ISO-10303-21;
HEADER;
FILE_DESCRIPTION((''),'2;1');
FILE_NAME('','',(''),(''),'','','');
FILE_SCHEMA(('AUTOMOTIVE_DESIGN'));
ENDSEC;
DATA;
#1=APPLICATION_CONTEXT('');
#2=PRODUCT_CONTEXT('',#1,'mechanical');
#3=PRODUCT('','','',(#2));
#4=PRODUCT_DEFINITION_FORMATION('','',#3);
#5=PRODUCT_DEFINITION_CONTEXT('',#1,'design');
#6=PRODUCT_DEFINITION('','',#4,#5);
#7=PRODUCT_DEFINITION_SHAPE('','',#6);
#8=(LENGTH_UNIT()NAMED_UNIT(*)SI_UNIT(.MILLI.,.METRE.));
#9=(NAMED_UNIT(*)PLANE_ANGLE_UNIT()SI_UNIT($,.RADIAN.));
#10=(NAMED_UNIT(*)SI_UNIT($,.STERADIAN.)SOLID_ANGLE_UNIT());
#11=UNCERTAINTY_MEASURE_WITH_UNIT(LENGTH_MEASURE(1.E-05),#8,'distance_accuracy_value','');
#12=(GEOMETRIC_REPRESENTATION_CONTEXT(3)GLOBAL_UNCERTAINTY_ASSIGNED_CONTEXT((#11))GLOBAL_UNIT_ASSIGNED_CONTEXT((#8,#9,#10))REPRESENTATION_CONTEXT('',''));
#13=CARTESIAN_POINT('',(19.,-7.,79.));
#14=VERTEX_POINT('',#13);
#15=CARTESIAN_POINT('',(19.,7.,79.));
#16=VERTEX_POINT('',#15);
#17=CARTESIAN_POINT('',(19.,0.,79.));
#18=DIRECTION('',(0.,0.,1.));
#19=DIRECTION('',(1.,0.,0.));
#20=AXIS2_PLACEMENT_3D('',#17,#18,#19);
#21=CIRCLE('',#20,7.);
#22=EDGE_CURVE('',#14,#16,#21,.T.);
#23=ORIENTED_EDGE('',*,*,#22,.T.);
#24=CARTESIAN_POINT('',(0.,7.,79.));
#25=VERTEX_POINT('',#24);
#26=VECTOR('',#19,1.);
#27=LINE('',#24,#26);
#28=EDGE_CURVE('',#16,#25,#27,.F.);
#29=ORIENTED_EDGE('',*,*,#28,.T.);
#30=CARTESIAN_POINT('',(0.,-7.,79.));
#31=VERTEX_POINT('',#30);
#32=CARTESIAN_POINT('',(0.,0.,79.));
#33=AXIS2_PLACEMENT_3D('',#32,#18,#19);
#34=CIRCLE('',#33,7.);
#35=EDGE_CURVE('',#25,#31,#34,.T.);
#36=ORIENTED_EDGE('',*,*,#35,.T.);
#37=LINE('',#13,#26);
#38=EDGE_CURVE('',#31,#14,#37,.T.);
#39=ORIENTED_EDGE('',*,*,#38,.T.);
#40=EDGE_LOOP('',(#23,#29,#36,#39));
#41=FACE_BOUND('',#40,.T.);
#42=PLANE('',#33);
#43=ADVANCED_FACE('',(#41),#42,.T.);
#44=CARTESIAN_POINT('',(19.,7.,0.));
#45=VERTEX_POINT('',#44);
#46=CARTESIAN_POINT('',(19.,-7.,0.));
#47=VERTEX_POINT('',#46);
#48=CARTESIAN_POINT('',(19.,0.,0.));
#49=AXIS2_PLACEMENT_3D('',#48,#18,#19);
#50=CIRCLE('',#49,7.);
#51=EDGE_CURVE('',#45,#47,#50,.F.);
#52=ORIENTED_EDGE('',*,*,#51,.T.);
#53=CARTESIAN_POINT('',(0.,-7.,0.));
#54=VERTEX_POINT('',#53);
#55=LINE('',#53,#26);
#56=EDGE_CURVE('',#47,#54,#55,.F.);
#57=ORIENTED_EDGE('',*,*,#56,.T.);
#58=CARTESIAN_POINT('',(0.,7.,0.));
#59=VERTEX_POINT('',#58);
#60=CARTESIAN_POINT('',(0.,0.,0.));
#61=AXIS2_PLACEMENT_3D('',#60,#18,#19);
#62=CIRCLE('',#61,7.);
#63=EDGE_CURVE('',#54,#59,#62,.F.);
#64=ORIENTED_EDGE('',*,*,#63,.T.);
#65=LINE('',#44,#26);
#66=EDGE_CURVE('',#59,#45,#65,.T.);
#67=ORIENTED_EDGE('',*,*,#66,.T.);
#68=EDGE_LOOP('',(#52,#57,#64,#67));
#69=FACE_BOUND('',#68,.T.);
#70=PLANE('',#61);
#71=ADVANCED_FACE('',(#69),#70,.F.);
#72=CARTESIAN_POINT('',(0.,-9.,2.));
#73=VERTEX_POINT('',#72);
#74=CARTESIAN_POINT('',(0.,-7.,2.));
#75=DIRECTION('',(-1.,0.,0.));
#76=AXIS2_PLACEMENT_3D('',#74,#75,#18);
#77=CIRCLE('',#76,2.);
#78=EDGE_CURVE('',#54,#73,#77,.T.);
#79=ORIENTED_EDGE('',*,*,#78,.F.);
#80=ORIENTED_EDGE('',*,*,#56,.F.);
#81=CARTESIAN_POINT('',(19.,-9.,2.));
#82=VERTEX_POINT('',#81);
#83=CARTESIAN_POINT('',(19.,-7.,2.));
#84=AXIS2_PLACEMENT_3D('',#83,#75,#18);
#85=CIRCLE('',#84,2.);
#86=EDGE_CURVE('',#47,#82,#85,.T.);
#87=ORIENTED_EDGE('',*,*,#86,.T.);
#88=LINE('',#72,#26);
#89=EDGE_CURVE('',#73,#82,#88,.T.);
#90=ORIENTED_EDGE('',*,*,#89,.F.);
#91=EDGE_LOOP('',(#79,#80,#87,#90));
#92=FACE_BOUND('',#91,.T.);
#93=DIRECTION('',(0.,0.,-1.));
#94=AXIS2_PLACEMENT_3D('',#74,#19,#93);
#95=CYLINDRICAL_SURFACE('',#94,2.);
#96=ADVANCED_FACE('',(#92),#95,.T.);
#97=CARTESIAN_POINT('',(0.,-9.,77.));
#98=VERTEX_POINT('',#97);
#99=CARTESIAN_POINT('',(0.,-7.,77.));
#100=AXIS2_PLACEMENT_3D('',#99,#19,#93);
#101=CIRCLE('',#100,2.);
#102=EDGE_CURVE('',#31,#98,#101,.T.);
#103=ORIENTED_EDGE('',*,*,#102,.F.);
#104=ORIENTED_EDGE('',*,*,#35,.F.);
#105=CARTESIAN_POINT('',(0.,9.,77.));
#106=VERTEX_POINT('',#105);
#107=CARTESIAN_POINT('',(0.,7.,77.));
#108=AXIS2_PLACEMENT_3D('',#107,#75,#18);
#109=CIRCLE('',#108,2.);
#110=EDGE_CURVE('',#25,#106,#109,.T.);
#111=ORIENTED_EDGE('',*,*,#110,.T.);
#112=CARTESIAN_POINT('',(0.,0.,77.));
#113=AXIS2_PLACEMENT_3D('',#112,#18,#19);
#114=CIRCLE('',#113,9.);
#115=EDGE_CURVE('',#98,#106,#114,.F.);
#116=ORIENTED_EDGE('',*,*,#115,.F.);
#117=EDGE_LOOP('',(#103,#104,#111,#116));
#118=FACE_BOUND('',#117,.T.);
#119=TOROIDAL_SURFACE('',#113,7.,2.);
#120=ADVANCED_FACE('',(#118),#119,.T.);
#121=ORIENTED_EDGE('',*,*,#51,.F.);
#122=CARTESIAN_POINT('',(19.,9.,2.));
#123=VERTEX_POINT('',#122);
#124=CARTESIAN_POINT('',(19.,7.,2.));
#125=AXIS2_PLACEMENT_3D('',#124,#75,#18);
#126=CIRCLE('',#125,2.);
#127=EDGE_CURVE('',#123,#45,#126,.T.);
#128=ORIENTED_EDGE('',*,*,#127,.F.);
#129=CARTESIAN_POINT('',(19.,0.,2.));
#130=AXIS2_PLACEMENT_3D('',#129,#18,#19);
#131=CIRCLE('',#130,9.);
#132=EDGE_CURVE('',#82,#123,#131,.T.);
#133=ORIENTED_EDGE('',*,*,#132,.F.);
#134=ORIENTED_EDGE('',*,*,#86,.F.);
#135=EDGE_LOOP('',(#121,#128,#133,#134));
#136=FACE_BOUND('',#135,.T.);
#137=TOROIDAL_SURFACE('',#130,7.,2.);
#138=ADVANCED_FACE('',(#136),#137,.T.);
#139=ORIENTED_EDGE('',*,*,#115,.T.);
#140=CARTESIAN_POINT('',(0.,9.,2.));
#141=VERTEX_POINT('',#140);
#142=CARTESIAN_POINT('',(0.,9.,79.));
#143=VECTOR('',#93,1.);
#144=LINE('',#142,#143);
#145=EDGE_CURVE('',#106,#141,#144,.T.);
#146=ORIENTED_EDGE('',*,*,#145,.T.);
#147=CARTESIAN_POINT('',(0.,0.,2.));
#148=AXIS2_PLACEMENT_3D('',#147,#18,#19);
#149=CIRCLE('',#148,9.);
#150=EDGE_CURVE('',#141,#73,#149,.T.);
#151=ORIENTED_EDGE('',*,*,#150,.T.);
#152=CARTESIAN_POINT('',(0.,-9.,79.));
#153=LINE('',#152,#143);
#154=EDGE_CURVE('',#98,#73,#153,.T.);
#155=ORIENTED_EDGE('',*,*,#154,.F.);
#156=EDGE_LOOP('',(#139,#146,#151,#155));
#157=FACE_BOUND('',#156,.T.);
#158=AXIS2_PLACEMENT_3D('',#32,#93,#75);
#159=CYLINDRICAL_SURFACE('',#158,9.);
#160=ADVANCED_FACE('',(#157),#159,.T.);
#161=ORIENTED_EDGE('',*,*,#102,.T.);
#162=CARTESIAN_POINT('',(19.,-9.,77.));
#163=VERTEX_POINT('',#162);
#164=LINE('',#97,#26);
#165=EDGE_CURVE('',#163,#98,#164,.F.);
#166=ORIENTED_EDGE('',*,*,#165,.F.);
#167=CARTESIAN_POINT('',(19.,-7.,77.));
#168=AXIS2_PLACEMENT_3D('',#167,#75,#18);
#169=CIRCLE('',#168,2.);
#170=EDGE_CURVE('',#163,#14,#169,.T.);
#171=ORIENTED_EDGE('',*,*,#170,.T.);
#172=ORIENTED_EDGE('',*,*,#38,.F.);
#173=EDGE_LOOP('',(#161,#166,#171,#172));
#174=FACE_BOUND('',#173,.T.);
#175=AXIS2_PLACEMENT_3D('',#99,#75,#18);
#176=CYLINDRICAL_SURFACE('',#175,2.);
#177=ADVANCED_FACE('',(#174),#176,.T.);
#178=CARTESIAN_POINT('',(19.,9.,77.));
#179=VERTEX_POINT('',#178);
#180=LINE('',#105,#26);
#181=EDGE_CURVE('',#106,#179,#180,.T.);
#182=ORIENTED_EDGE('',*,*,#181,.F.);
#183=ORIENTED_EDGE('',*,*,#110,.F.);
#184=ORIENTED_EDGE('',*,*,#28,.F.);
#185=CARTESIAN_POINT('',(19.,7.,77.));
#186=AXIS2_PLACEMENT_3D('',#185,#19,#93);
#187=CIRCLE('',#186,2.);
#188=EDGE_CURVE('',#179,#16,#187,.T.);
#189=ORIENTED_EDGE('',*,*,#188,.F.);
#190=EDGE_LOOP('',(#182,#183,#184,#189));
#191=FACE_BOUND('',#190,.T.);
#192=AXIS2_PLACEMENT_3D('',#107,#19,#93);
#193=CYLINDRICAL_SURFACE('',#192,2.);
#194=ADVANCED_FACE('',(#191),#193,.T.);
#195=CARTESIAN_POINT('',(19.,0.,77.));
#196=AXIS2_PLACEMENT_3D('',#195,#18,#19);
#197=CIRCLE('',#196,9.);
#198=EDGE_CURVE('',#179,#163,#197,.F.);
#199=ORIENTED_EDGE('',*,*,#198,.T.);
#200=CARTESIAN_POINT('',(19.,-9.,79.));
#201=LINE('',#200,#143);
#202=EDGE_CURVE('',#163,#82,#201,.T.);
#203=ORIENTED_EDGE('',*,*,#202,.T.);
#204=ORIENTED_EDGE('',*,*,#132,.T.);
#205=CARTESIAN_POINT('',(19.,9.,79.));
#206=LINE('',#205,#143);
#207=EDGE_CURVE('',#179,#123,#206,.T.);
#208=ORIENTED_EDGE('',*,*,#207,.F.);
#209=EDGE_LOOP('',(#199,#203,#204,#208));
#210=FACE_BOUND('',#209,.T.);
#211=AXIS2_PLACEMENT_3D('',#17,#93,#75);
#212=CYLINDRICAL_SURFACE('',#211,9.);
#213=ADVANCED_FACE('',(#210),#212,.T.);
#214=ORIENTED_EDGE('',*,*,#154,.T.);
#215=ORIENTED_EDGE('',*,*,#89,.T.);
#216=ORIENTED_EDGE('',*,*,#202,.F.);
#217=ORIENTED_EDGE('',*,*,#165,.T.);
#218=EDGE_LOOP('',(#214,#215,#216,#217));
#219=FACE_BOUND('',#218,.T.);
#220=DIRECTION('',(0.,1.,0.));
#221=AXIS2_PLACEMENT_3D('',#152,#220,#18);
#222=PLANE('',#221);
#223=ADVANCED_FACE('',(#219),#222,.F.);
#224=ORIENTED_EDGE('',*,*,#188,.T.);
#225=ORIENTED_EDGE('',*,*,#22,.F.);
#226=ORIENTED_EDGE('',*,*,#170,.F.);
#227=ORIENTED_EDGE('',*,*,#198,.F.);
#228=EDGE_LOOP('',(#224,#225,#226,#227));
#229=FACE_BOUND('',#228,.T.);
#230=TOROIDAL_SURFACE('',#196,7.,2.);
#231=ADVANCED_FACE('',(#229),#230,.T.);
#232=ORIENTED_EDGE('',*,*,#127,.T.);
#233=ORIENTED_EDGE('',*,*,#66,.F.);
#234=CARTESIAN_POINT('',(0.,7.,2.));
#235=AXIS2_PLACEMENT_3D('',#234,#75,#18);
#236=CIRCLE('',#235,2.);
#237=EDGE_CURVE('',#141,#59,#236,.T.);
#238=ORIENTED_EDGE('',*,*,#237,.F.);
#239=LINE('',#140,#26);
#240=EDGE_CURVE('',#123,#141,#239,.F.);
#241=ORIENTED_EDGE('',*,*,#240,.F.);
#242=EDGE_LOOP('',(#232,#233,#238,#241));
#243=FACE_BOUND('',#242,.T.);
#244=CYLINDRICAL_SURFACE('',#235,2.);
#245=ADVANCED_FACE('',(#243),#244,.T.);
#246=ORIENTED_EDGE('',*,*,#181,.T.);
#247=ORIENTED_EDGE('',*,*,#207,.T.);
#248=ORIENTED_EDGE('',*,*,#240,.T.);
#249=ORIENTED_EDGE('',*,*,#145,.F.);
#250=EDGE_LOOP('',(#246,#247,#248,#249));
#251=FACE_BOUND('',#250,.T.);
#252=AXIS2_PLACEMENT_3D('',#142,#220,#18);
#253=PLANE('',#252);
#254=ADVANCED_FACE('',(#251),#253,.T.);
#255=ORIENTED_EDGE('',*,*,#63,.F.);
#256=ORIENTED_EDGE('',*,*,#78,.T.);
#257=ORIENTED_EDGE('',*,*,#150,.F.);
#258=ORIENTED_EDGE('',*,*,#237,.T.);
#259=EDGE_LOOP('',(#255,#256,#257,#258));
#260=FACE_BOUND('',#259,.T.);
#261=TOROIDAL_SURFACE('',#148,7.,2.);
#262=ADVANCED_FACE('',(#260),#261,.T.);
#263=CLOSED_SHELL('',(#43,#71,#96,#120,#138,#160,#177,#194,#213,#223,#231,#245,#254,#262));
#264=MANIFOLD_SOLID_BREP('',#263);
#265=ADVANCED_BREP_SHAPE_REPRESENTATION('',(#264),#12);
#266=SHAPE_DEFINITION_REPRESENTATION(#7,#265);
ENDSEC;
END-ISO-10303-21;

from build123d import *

# Parameters (mm, degrees)
BOSS_EXTRUDE1_DEPTH = 79
FILLET1_R           = 2


with BuildPart() as part:
    # Sketch1 → Boss-Extrude1 (new body)
    with BuildSketch(Plane.XY):
        with BuildLine():
            Line((0, 0), (0, 9))
            ThreePointArc((0, 9), (-9, 0), (0, -9))
            Line((0, -9), (0, 0))
        make_face()
        with BuildLine():
            ThreePointArc((9, 0), (6.363961031, 6.363961031), (0, 9))
            Line((0, 9), (0, 0))
            Line((0, 0), (9, 0))
        make_face()
        with BuildLine():
            Line((19, 9), (0, 9))
            ThreePointArc((0, 9), (6.363961031, 6.363961031), (9, 0))
            Line((9, 0), (10, 0))
            ThreePointArc((10, 0), (12.636038969, 6.363961031), (19, 9))
        make_face()
        with BuildLine():
            Line((19, 0), (19, 9))
            ThreePointArc((19, 9), (12.636038969, 6.363961031), (10, 0))
            Line((10, 0), (19, 0))
        make_face()
        with BuildLine():
            ThreePointArc((28, 0), (25.363961031, 6.363961031), (19, 9))
            Line((19, 9), (19, 0))
            Line((19, 0), (19, -9))
            ThreePointArc((19, -9), (25.363961031, -6.363961031), (28, 0))
        make_face()
        with BuildLine():
            Line((19, -9), (19, 0))
            Line((19, 0), (10, 0))
            ThreePointArc((10, 0), (12.636038969, -6.363961031), (19, -9))
        make_face()
        with BuildLine():
            Line((10, 0), (9, 0))
            ThreePointArc((9, 0), (6.363961031, -6.363961031), (0, -9))
            Line((0, -9), (19, -9))
            ThreePointArc((19, -9), (12.636038969, -6.363961031), (10, 0))
        make_face()
        with BuildLine():
            Line((9, 0), (0, 0))
            Line((0, 0), (0, -9))
            ThreePointArc((0, -9), (6.363961031, -6.363961031), (9, 0))
        make_face()
    extrude(amount=BOSS_EXTRUDE1_DEPTH)

    # Fillet1
    fillet1_edges = [part.edges().sort_by_distance(p)[0] for p in [
        (9.5, 9, 79),
        (-9, 0, 79),
        (9.5, -9, 79),
        (-9, 0, 0),
        (9.5, 9, 0),
        (28, 0, 0),
        (9.5, -9, 0),
        (28, 0, 79),
    ]]
    fillet(fillet1_edges, radius=FILLET1_R)


solid = part.part
